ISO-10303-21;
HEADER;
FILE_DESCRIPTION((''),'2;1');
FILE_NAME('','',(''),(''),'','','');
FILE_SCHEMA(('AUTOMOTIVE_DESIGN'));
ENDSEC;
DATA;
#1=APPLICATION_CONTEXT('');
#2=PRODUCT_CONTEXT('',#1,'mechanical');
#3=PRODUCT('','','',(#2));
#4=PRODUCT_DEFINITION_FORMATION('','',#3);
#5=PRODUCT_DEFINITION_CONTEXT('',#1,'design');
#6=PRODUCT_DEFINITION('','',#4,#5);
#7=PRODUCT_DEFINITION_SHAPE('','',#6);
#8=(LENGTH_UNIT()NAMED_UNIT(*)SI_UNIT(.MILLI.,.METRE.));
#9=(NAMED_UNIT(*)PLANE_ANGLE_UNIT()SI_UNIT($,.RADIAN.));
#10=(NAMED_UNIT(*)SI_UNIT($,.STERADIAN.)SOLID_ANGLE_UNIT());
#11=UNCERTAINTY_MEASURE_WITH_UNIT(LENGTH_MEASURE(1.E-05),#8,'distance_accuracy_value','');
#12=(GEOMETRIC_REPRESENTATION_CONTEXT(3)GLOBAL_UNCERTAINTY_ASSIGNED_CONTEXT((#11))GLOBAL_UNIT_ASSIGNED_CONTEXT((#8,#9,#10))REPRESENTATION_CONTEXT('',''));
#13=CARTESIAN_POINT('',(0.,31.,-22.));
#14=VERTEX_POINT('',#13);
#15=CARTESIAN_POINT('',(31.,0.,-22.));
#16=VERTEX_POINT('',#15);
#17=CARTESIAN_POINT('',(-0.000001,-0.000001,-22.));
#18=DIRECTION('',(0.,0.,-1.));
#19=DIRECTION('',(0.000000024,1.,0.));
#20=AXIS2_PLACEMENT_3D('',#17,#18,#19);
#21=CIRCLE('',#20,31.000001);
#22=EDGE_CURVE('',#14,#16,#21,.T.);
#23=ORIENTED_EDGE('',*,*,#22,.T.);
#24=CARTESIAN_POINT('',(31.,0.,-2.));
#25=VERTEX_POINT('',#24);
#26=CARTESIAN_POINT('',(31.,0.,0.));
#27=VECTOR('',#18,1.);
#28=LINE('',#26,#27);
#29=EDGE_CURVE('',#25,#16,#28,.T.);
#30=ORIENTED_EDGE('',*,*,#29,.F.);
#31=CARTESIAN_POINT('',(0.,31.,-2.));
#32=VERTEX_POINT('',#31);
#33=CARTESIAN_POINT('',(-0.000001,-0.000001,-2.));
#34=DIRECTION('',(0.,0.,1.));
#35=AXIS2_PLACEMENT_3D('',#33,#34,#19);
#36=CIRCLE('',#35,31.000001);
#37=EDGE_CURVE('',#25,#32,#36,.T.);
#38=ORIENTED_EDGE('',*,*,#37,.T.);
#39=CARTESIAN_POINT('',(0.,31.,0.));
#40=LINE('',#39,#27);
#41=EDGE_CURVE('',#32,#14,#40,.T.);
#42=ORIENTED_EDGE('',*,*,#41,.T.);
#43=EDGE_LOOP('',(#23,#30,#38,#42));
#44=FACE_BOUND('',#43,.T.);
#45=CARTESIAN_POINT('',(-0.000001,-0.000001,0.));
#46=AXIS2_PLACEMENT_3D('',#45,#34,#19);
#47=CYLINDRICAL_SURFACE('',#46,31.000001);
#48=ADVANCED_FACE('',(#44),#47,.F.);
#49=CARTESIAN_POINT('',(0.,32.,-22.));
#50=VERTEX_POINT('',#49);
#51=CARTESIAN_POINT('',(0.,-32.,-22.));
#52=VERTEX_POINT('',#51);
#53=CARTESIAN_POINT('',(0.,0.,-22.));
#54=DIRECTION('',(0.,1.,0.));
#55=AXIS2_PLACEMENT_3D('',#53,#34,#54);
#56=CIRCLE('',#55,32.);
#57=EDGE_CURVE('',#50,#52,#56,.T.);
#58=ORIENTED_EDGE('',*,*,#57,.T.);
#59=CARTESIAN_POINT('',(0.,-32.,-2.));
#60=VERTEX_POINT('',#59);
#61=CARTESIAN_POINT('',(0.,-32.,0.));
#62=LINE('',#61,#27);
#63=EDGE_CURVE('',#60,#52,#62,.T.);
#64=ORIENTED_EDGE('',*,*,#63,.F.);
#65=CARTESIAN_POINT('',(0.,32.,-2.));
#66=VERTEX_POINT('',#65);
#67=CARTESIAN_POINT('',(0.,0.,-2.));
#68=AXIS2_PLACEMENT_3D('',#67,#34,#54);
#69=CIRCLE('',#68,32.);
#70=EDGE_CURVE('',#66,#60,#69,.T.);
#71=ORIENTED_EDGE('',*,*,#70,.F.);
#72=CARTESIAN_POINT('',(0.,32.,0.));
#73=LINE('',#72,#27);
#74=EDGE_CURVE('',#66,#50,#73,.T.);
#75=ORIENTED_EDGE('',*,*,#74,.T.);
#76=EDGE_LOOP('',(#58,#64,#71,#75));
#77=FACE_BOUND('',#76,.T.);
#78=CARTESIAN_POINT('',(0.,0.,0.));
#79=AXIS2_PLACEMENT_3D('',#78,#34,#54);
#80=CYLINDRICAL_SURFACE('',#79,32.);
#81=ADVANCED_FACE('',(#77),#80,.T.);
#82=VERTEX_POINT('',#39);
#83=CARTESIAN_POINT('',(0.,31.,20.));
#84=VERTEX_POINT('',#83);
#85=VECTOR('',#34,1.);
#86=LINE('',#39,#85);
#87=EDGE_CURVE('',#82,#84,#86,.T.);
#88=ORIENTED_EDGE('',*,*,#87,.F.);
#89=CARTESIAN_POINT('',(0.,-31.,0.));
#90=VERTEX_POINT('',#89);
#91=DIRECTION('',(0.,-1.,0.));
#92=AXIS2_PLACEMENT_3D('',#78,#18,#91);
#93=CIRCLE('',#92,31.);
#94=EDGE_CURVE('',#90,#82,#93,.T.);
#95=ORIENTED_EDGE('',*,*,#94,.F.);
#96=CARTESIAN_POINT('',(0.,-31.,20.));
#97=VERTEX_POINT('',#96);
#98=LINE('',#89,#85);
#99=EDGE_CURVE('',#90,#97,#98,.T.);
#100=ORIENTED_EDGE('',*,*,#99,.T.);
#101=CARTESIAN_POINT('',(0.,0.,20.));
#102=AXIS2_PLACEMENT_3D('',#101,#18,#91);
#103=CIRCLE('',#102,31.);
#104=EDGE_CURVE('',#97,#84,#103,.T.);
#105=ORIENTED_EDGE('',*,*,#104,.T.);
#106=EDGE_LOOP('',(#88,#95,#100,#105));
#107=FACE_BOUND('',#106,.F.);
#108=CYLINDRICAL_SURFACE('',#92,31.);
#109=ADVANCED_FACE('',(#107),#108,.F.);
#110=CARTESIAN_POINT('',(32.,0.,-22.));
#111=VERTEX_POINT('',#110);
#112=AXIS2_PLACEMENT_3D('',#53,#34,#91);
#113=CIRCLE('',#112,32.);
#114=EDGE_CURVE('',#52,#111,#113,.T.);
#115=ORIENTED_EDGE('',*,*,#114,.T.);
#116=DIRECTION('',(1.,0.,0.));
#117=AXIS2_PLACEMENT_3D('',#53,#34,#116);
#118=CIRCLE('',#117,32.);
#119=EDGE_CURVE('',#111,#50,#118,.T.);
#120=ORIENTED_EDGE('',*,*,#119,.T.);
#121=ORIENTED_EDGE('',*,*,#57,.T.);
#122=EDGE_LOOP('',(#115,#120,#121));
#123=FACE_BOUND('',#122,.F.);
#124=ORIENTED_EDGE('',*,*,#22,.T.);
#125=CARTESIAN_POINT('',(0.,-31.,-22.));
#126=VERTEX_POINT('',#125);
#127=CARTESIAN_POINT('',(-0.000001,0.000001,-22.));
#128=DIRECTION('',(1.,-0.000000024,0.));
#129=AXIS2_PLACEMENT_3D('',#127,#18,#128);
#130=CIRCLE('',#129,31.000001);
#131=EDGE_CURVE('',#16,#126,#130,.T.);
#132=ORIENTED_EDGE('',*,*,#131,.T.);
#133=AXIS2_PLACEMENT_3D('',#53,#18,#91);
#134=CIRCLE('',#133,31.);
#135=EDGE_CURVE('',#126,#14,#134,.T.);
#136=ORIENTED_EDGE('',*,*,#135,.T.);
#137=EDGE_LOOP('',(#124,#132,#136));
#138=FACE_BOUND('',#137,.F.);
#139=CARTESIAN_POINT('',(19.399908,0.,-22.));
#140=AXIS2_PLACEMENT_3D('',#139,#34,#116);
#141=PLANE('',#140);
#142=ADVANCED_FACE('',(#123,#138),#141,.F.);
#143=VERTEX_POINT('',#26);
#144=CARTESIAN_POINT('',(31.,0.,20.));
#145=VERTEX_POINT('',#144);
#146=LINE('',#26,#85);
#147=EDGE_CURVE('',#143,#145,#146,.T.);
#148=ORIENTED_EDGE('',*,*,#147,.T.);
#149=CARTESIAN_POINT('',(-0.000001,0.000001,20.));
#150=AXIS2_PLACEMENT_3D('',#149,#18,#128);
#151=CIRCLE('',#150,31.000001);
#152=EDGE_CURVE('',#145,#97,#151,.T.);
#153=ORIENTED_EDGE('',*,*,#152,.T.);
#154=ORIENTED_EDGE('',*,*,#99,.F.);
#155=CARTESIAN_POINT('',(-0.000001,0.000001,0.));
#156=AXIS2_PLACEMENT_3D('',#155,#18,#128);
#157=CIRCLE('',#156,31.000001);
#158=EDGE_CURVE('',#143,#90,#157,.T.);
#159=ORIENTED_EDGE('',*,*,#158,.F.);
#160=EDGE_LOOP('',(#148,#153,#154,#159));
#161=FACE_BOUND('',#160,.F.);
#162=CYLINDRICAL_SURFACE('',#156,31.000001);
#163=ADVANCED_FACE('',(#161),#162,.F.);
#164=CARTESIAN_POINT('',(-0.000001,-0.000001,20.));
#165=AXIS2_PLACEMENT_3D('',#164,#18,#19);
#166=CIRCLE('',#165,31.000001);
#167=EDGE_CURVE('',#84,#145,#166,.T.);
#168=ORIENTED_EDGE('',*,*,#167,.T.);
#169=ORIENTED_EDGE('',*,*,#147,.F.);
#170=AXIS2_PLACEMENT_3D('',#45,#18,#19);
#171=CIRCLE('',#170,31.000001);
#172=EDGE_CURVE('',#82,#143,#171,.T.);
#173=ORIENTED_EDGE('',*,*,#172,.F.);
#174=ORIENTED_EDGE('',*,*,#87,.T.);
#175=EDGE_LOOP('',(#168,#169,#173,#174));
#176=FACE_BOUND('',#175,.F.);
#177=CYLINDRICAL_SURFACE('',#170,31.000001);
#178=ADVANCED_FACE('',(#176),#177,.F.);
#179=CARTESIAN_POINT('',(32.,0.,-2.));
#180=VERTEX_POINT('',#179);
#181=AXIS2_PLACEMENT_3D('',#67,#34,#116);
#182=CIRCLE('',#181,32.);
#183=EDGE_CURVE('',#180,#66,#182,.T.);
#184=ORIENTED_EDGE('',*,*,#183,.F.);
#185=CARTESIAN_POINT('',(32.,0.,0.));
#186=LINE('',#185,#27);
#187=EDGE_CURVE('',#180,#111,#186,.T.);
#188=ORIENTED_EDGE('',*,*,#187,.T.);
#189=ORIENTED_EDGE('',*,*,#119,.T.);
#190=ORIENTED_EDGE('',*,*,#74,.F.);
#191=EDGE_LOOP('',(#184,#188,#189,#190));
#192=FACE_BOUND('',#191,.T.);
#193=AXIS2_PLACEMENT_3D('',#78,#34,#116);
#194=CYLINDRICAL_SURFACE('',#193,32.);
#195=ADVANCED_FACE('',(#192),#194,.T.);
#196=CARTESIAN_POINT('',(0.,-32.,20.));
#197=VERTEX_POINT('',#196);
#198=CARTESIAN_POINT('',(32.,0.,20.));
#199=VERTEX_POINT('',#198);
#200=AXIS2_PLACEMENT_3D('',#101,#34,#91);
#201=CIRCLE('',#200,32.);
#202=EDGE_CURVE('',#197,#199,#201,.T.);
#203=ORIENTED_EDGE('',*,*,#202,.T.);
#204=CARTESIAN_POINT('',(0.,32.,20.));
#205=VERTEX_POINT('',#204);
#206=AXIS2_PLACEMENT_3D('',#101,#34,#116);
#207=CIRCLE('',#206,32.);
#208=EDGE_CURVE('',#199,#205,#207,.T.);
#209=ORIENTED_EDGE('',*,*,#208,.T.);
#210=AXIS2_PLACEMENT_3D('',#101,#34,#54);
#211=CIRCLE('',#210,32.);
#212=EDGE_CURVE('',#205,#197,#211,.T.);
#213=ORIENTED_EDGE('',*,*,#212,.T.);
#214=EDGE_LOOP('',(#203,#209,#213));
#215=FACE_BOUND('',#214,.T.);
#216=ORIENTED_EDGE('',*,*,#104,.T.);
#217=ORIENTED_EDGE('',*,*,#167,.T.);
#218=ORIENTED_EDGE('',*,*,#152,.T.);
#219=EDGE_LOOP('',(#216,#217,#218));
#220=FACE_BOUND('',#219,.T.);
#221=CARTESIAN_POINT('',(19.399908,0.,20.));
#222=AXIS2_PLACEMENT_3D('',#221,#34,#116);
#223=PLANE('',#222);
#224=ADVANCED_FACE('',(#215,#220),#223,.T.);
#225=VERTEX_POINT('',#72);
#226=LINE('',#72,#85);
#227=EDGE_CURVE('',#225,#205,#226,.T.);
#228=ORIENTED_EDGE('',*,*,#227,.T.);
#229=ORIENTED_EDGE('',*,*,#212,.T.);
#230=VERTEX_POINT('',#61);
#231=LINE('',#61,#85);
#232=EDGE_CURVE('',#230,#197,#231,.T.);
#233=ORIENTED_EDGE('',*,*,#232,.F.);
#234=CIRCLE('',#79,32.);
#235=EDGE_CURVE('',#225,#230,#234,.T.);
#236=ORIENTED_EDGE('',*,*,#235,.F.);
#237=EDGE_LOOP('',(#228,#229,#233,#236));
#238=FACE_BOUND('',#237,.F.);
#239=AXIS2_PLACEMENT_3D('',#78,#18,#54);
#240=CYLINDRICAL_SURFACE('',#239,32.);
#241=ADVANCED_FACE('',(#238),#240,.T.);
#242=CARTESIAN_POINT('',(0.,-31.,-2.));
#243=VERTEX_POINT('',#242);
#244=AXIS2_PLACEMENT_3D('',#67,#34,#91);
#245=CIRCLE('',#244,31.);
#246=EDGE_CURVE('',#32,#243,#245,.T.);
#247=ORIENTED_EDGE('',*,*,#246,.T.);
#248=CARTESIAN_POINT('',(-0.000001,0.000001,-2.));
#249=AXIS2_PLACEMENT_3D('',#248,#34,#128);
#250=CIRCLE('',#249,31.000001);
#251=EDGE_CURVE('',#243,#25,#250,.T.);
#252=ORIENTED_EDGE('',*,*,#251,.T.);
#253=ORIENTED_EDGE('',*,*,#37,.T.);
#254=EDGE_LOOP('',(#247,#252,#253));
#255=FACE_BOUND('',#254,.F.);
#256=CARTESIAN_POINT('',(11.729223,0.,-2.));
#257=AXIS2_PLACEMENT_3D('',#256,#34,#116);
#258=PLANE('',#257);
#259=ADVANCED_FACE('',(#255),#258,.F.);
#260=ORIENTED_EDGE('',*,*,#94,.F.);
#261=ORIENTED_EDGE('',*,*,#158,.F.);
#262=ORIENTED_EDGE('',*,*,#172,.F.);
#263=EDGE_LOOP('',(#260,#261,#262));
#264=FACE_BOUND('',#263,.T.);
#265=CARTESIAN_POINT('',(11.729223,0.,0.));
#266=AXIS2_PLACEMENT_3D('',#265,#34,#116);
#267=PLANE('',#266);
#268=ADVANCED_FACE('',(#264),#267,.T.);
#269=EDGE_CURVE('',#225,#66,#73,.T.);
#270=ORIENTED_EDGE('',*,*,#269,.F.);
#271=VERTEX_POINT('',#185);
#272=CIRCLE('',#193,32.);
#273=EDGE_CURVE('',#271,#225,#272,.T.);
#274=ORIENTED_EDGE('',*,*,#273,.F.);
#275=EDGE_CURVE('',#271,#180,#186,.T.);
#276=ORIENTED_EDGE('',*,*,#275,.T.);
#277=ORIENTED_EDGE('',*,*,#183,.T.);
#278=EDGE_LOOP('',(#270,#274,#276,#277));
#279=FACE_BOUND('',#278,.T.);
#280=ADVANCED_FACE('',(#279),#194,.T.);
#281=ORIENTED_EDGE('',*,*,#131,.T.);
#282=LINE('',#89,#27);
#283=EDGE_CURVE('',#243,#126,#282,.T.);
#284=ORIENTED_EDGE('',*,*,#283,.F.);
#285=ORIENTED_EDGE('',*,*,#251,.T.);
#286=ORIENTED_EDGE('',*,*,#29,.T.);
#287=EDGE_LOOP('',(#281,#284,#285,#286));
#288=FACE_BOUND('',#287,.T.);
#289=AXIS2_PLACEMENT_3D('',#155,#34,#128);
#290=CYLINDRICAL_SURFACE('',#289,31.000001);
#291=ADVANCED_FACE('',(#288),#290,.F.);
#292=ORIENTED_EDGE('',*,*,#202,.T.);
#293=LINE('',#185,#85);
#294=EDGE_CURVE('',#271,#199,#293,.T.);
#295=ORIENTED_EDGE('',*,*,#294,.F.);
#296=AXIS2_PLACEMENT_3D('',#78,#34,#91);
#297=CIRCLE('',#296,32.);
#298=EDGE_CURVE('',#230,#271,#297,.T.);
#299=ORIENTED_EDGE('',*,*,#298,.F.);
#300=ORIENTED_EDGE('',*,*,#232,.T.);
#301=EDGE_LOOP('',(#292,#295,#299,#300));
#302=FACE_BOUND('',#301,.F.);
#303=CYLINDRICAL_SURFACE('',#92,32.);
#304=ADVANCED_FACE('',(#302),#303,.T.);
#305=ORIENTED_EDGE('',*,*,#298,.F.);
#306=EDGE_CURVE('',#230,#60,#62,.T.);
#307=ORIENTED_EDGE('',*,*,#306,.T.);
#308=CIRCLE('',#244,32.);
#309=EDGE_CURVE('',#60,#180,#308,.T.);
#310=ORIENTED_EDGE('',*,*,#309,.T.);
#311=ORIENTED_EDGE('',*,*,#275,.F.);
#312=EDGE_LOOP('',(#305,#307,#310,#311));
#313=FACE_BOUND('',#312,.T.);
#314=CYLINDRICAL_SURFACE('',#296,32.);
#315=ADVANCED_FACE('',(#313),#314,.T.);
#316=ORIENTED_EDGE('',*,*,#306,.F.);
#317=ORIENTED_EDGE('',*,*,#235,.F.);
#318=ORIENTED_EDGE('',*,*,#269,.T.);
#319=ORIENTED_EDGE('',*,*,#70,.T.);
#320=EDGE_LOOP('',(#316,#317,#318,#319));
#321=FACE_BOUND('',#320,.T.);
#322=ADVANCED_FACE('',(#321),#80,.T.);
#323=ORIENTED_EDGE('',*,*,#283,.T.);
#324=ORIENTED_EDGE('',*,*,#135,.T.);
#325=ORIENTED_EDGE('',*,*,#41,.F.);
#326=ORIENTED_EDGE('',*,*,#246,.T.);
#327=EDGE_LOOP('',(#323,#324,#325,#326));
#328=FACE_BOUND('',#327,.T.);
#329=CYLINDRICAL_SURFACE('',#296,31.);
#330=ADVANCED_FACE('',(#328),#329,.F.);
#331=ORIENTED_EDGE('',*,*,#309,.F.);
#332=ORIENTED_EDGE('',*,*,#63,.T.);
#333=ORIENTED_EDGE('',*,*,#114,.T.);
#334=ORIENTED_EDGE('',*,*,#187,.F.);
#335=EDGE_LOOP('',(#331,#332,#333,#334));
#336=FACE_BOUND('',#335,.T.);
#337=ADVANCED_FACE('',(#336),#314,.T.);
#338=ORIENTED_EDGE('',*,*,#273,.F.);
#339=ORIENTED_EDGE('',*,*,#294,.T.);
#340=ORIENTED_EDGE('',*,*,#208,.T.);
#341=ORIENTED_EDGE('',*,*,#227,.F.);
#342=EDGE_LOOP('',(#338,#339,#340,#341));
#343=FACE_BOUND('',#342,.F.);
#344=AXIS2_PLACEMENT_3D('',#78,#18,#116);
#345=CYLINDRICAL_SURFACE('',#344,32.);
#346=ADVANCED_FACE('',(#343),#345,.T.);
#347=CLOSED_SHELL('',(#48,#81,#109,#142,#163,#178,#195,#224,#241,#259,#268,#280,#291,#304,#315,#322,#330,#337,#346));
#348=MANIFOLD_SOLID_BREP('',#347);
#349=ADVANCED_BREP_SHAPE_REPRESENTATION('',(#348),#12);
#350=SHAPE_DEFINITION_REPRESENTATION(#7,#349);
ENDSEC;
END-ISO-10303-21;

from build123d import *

# Parameters (mm, degrees)
F1_DEPTH = 20
F2_DEPTH = 22
F3_DEPTH = 2


with BuildPart() as f1:
    # F0 (on Top) → F1 (new body)
    with BuildSketch(Plane.XY):
        with BuildLine():
            ThreePointArc((0, -32), (22.627417, -22.627417), (32, 0))
            ThreePointArc((32, 0), (22.627417, 22.627417), (0, 32))
            Line((0, 32), (0, 31))
            ThreePointArc((0, 31), (21.92031, 21.92031), (31, 0))
            ThreePointArc((31, 0), (21.92031, -21.92031), (0, -31))
            Line((0, -31), (0, -32))
        make_face()
        with BuildLine():
            Line((0, 31), (0, 32))
            ThreePointArc((0, 32), (-32, 0), (0, -32))
            Line((0, -32), (0, -31))
            ThreePointArc((0, -31), (-31, 0), (0, 31))
        make_face()
    extrude(amount=F1_DEPTH)

    # F0 (on Top) → F2 (join)
    with BuildSketch(Plane.XY):
        with BuildLine():
            ThreePointArc((0, -32), (22.627417, -22.627417), (32, 0))
            ThreePointArc((32, 0), (22.627417, 22.627417), (0, 32))
            Line((0, 32), (0, 31))
            ThreePointArc((0, 31), (21.92031, 21.92031), (31, 0))
            ThreePointArc((31, 0), (21.92031, -21.92031), (0, -31))
            Line((0, -31), (0, -32))
        make_face()
        with BuildLine():
            Line((0, 31), (0, 32))
            ThreePointArc((0, 32), (-32, 0), (0, -32))
            Line((0, -32), (0, -31))
            ThreePointArc((0, -31), (-31, 0), (0, 31))
        make_face()
    extrude(amount=-F2_DEPTH)

    # F0 (on Top) → F3 (join)
    with BuildSketch(Plane.XY):
        with BuildLine():
            ThreePointArc((31, 0), (21.92031, 21.92031), (0, 31))
            Line((0, 31), (0, -31))
            ThreePointArc((0, -31), (21.92031, -21.92031), (31, 0))
        make_face()
        with BuildLine():
            Line((0, -31), (0, 31))
            ThreePointArc((0, 31), (-31, 0), (0, -31))
        make_face()
        with BuildLine():
            Line((0, 31), (0, 32))
            ThreePointArc((0, 32), (-32, 0), (0, -32))
            Line((0, -32), (0, -31))
            ThreePointArc((0, -31), (-31, 0), (0, 31))
        make_face()
        with BuildLine():
            ThreePointArc((0, -32), (22.627417, -22.627417), (32, 0))
            ThreePointArc((32, 0), (22.627417, 22.627417), (0, 32))
            Line((0, 32), (0, 31))
            ThreePointArc((0, 31), (21.92031, 21.92031), (31, 0))
            ThreePointArc((31, 0), (21.92031, -21.92031), (0, -31))
            Line((0, -31), (0, -32))
        make_face()
    extrude(amount=-F3_DEPTH)


solid = f1.part
